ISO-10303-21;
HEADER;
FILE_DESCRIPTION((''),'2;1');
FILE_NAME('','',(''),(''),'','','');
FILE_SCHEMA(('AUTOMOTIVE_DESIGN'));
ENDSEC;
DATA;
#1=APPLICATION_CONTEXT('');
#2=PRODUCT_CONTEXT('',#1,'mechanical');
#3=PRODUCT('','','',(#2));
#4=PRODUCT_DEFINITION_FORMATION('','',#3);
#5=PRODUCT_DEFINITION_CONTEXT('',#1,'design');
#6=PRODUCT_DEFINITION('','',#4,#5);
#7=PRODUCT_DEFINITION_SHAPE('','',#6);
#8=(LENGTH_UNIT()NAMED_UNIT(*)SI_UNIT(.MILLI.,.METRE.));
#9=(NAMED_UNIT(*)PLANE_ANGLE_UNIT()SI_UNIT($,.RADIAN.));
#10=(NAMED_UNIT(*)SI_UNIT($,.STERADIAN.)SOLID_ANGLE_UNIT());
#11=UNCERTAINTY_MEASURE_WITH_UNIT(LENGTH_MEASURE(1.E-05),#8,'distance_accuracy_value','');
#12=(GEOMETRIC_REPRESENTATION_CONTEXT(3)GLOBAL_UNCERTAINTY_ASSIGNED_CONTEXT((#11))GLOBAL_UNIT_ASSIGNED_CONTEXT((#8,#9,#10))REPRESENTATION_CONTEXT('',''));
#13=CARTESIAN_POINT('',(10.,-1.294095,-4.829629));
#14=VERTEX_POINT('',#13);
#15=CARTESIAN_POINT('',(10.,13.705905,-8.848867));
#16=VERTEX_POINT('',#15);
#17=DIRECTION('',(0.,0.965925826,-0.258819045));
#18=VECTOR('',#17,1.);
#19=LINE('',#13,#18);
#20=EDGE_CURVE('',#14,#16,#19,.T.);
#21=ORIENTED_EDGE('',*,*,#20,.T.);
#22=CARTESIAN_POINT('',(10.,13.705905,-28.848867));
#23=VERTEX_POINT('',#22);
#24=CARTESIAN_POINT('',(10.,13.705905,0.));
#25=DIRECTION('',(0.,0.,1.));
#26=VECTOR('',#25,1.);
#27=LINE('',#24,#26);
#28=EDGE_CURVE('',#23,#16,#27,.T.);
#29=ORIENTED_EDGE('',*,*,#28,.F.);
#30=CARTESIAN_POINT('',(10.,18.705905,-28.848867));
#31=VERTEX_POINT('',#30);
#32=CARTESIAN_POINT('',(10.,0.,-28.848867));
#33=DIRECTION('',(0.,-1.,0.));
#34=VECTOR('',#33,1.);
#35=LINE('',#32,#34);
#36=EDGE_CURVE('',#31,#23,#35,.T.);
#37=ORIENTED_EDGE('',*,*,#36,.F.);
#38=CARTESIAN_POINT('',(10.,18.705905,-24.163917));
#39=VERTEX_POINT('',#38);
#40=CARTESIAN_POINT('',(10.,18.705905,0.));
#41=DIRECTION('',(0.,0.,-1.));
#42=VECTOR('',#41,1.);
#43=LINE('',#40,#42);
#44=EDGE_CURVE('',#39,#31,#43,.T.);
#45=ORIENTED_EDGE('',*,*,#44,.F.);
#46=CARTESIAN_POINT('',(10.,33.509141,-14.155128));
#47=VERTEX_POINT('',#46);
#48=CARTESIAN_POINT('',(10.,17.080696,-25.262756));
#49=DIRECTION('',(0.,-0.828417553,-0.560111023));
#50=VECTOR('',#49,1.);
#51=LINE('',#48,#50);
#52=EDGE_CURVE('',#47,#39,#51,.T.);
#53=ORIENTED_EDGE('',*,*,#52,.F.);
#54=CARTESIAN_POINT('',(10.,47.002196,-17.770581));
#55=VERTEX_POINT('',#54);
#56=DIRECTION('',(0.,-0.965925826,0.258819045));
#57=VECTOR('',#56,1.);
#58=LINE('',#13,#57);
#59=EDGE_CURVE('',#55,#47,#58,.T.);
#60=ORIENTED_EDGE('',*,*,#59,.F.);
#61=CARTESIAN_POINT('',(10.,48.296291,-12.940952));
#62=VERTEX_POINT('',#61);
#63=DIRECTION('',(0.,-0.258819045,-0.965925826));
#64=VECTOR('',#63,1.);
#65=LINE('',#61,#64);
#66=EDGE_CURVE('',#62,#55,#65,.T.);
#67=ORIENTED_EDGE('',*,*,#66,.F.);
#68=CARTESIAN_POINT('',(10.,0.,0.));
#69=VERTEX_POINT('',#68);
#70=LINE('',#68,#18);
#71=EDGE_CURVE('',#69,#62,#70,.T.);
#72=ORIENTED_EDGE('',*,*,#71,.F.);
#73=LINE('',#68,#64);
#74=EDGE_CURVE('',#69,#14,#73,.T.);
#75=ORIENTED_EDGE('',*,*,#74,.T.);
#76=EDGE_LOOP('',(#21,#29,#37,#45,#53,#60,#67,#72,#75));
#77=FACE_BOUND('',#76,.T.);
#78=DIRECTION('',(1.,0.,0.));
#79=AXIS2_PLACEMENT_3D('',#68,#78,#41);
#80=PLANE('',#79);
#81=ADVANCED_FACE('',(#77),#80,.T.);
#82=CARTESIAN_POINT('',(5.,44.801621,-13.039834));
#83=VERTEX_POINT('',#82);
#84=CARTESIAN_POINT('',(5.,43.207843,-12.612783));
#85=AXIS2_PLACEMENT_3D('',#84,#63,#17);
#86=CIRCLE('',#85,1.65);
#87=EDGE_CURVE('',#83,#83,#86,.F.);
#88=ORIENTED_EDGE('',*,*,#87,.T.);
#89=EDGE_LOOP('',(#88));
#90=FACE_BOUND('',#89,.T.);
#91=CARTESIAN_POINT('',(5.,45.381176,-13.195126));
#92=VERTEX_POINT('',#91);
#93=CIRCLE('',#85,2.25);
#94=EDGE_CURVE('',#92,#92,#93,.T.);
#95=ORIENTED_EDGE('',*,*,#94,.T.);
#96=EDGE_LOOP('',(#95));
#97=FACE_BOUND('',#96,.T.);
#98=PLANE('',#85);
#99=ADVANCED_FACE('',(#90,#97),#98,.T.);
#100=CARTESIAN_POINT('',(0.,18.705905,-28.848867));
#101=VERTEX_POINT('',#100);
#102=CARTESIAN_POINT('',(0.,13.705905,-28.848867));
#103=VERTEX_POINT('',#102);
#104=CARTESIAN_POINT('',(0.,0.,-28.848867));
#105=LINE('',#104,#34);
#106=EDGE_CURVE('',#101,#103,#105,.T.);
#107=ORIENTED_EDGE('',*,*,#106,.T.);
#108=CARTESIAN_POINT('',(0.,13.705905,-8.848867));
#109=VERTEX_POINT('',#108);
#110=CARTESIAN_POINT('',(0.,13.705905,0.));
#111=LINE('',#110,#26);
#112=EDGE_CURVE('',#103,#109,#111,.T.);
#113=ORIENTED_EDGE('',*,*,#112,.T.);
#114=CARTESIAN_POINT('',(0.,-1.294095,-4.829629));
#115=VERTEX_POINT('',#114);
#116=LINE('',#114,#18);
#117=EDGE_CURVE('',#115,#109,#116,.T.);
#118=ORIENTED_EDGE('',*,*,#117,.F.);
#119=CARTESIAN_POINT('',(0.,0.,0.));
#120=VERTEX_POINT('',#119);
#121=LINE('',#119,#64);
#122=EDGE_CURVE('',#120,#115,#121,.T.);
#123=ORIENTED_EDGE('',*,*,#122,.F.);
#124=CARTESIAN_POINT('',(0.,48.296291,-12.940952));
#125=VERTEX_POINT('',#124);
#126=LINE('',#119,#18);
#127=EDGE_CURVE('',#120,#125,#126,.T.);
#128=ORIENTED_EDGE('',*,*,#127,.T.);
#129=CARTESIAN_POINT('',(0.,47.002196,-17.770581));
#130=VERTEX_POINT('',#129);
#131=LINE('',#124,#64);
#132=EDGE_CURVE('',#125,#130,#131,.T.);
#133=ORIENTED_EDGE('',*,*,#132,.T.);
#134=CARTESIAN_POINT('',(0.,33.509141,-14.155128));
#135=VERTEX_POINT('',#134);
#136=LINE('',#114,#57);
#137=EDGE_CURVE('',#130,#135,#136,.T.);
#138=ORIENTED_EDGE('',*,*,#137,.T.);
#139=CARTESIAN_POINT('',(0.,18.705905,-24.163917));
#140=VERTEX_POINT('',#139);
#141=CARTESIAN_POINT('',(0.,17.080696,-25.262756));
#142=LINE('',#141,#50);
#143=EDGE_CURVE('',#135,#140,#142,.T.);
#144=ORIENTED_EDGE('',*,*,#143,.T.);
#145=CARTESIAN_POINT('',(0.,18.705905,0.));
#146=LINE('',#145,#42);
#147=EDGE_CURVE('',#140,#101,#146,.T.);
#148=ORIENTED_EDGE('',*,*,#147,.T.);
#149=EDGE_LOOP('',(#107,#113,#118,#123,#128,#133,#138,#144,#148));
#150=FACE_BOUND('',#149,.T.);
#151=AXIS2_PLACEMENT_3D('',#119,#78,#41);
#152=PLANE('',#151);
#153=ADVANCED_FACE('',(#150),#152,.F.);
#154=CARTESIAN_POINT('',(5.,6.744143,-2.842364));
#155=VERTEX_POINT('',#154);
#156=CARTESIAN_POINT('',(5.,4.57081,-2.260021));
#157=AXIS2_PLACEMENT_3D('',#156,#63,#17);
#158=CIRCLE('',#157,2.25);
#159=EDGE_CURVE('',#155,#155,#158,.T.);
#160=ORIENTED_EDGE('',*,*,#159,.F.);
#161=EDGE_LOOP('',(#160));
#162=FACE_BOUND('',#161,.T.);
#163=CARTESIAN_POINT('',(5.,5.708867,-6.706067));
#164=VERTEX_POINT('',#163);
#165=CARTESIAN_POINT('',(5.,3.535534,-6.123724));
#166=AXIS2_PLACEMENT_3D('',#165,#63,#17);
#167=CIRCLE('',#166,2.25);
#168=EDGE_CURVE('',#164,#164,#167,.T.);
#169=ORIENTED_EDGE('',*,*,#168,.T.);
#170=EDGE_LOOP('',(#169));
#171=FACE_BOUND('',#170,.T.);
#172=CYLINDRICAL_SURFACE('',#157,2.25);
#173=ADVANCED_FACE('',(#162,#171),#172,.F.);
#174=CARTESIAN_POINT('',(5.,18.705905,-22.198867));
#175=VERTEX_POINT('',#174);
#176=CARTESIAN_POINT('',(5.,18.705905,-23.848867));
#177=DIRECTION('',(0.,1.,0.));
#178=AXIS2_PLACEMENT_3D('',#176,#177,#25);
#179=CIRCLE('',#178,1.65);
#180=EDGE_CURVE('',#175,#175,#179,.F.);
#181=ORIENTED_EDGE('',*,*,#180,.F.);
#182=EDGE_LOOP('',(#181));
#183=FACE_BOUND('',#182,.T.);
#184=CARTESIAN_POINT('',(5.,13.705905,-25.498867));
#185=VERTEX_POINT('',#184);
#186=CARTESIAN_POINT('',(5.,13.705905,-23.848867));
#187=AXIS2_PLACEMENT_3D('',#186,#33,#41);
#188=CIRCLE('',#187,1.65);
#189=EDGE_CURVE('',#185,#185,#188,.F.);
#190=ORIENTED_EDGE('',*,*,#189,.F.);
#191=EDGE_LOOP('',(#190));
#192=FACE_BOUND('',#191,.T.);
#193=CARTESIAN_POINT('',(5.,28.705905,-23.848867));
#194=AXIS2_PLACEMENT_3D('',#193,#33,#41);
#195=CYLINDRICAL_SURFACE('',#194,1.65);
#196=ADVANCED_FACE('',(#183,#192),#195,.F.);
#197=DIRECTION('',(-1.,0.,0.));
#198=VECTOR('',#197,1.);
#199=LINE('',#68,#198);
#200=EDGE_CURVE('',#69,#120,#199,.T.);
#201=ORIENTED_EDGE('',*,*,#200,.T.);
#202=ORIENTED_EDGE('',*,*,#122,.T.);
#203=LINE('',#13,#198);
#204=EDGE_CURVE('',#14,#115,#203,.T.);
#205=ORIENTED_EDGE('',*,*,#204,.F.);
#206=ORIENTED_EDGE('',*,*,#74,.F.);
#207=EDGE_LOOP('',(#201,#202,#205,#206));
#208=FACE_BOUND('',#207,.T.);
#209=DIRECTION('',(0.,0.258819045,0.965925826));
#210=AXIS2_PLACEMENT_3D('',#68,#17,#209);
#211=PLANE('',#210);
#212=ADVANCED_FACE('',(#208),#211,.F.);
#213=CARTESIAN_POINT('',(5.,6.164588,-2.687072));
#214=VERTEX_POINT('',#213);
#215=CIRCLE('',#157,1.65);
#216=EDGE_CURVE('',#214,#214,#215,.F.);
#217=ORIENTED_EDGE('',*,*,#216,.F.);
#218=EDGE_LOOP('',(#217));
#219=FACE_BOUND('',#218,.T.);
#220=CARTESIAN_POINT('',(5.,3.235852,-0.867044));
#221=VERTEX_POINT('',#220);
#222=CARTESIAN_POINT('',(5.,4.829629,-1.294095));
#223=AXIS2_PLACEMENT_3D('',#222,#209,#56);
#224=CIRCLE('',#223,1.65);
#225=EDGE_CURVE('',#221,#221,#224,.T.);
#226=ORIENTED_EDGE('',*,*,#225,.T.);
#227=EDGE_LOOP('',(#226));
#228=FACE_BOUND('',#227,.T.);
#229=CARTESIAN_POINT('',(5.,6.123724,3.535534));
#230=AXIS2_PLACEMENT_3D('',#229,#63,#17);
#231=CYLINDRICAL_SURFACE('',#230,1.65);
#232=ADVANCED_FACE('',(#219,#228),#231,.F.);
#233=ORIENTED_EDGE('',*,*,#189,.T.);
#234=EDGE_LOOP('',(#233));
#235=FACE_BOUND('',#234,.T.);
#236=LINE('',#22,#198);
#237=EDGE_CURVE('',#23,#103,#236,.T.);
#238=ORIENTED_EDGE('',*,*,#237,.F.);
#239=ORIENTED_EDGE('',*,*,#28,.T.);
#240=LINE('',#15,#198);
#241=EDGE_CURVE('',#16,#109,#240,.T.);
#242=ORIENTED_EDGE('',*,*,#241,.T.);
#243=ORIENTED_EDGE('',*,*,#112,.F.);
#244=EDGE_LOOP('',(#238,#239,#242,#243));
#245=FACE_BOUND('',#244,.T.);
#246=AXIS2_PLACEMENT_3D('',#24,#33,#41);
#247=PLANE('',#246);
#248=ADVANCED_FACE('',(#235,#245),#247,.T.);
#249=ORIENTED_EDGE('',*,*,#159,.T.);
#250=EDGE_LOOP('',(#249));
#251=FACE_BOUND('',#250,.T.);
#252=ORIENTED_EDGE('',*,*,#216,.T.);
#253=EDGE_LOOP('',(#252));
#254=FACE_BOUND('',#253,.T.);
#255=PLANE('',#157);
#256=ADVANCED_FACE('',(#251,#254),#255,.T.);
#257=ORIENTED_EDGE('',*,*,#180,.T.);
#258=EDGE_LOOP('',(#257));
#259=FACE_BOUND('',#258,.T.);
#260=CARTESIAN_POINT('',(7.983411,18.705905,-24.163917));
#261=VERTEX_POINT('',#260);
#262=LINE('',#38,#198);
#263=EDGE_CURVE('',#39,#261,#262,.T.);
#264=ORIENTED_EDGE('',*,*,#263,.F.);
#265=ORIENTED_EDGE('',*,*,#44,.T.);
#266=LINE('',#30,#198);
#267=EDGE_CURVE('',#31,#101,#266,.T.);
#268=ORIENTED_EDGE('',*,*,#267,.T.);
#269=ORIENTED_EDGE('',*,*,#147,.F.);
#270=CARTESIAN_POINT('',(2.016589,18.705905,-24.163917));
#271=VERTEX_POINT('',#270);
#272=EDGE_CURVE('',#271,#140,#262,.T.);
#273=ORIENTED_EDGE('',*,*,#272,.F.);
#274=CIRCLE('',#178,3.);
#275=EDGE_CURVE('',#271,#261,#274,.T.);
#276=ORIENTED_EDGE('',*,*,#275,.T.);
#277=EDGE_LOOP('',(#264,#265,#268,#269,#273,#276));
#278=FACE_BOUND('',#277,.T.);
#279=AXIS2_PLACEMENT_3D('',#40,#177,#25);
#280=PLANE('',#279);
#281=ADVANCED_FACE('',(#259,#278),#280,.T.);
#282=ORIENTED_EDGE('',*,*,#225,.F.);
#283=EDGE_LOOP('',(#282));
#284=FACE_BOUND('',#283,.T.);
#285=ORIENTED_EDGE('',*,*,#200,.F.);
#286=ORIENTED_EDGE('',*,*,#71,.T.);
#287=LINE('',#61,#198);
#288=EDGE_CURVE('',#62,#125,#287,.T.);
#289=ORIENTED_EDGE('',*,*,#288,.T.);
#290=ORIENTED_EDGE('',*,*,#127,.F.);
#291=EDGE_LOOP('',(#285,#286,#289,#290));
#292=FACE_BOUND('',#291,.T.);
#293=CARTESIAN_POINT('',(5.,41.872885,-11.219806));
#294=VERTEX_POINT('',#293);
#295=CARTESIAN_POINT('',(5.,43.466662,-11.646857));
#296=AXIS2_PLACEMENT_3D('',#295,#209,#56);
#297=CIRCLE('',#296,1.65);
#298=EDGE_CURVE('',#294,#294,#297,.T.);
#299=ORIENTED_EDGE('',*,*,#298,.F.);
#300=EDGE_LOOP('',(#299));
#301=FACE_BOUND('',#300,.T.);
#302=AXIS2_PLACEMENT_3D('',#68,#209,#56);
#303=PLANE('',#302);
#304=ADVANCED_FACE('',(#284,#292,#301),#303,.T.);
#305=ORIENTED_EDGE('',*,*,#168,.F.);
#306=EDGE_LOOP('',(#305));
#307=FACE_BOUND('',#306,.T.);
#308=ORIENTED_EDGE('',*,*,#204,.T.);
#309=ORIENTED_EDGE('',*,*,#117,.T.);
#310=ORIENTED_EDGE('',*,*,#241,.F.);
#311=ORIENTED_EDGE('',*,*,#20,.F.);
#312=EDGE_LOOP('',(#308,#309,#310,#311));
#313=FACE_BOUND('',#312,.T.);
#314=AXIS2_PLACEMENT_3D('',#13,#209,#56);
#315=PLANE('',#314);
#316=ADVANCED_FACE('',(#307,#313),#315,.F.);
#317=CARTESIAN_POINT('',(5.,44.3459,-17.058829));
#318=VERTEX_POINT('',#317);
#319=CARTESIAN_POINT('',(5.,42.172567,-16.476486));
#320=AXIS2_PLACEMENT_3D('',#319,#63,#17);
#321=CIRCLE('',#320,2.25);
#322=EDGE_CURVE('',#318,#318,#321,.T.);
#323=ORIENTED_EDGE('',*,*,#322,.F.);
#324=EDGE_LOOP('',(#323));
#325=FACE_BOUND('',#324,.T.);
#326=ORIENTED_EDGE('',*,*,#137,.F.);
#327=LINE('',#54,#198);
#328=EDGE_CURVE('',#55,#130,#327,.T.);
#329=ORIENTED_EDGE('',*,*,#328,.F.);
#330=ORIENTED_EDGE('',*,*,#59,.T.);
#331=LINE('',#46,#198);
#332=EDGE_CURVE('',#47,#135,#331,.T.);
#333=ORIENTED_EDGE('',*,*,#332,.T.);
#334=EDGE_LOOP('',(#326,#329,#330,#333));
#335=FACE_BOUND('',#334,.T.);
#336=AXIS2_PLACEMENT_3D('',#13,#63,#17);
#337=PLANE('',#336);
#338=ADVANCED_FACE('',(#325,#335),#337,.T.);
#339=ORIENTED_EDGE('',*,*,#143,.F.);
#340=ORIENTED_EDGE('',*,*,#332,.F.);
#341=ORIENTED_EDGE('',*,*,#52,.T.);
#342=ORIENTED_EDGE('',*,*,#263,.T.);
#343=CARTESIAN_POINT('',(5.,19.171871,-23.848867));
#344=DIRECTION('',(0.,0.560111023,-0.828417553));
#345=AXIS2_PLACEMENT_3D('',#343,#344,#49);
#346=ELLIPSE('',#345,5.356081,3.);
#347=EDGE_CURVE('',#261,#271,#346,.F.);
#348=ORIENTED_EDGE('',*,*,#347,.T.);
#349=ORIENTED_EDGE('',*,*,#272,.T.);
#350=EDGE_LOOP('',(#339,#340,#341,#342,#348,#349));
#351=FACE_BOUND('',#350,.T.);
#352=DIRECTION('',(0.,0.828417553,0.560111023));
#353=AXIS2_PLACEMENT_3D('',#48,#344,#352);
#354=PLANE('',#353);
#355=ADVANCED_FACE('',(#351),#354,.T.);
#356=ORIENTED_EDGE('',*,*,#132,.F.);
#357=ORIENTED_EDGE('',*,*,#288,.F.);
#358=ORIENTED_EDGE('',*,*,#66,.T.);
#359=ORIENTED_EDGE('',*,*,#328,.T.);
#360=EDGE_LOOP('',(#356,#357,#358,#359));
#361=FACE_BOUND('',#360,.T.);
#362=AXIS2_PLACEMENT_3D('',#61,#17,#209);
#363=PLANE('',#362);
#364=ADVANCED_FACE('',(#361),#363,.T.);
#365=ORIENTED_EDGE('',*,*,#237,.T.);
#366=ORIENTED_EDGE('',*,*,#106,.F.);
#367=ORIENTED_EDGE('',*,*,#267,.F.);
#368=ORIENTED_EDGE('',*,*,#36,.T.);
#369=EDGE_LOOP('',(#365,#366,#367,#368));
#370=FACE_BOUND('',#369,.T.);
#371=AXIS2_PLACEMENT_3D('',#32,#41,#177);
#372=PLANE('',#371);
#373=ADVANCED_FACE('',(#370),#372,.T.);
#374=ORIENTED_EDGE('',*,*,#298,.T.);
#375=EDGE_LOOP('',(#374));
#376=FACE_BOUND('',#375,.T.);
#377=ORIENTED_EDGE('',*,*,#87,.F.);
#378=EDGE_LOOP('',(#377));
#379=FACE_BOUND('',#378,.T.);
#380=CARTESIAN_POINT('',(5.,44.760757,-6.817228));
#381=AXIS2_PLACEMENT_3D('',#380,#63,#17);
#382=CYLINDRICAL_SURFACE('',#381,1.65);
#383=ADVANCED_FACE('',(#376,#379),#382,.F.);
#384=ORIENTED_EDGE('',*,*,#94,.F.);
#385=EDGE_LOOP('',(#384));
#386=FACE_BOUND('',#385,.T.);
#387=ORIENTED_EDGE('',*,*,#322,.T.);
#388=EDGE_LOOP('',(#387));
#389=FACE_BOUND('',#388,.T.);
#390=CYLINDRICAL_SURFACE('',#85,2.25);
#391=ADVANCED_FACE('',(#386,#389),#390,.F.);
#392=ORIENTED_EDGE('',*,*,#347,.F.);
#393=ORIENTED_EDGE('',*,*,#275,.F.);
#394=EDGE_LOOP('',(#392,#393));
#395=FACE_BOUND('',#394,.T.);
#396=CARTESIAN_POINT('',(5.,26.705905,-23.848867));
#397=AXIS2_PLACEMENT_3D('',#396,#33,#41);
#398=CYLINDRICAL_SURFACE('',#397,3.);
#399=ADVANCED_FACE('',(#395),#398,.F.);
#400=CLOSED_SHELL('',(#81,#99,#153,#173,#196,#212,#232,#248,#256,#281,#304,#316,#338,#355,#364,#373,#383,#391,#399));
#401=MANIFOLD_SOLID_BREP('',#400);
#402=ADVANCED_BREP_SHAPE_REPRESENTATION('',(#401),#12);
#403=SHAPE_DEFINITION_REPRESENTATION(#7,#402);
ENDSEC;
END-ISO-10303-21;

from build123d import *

# Parameters (mm, degrees)
EXTRUDE_2_DEPTH          = 10
SKETCH_3_R               = 1.65
CUT_EXTRUDE_2_DEPTH      = 10
CUT_EXTRUDE_3_DEPTH      = 10
CUT_EXTRUDE_3_DEPTH_BACK = 9
SKETCH_5_R               = 1.65
SKETCH_6_R               = 3
CUT_EXTRUDE_4_DEPTH      = 8
SKETCH_7_R               = 2.25
CUT_EXTRUDE_5_DEPTH      = 4


with BuildPart() as part:
    # 草图1 → 凸台-拉伸2 (new body)
    with BuildSketch(Plane(origin=(0, 0, 0), x_dir=(0, 0, -1), z_dir=(1, 0, 0))):
        Polygon((0, 0), (12.940952255, 48.296291314), (17.770581387, 47.002196089), (14.155128272, 33.509141372), (24.163916678, 18.705904774), (28.848867018, 18.705904774), (28.848867018, 13.705904774), (8.848867018, 13.705904774), (4.829629131, -1.294095226), align=None)
    extrude(amount=EXTRUDE_2_DEPTH)

    # 草图3 → 切除-拉伸2 (cut)
    with BuildSketch(Plane(origin=(0, -1.294095226, -4.829629131), x_dir=(-1, 0, 0), z_dir=(0, -0.2588190451025247, -0.9659258262890673))):
        with Locations(Location((-5, 45, 0), (0, 0, 90))):
            Circle(SKETCH_3_R)
        with Locations(Location((-5, 5, 0), (0, 0, 90))):
            Circle(SKETCH_3_R)
    extrude(amount=-CUT_EXTRUDE_2_DEPTH, mode=Mode.SUBTRACT)

    # 草图5 → 切除-拉伸3 (cut, two sides: drawn at the far end of the back side and taken through both)
    with BuildSketch(Plane(origin=(0, 18.705904774, 0), x_dir=(1, 0, 0), z_dir=(0, 1, 0)).offset(-CUT_EXTRUDE_3_DEPTH_BACK)):
        with Locations(Location((5, 23.848867018, 0), (0, 0, 90))):
            Circle(SKETCH_5_R)
    extrude(amount=CUT_EXTRUDE_3_DEPTH + CUT_EXTRUDE_3_DEPTH_BACK, mode=Mode.SUBTRACT)

    # 草图6 → 切除-拉伸4 (cut)
    with BuildSketch(Plane(origin=(0, 18.705904774, 0), x_dir=(1, 0, 0), z_dir=(0, 1, 0))):
        with Locations((5, 23.848867018)):
            Circle(SKETCH_6_R)
    extrude(amount=CUT_EXTRUDE_4_DEPTH, mode=Mode.SUBTRACT)

    # 草图7 → 切除-拉伸5 (cut)
    with BuildSketch(Plane(origin=(0, -1.294095226, -4.829629131), x_dir=(-1, 0, 0), z_dir=(0, -0.25881904510252446, -0.9659258262890674))):
        with Locations(Location((-5, 45, 0), (0, 0, 90))):
            Circle(SKETCH_7_R)
        with Locations(Location((-5, 5, 0), (0, 0, 90))):
            Circle(SKETCH_7_R)
    extrude(amount=-CUT_EXTRUDE_5_DEPTH, mode=Mode.SUBTRACT)


solid = part.part
